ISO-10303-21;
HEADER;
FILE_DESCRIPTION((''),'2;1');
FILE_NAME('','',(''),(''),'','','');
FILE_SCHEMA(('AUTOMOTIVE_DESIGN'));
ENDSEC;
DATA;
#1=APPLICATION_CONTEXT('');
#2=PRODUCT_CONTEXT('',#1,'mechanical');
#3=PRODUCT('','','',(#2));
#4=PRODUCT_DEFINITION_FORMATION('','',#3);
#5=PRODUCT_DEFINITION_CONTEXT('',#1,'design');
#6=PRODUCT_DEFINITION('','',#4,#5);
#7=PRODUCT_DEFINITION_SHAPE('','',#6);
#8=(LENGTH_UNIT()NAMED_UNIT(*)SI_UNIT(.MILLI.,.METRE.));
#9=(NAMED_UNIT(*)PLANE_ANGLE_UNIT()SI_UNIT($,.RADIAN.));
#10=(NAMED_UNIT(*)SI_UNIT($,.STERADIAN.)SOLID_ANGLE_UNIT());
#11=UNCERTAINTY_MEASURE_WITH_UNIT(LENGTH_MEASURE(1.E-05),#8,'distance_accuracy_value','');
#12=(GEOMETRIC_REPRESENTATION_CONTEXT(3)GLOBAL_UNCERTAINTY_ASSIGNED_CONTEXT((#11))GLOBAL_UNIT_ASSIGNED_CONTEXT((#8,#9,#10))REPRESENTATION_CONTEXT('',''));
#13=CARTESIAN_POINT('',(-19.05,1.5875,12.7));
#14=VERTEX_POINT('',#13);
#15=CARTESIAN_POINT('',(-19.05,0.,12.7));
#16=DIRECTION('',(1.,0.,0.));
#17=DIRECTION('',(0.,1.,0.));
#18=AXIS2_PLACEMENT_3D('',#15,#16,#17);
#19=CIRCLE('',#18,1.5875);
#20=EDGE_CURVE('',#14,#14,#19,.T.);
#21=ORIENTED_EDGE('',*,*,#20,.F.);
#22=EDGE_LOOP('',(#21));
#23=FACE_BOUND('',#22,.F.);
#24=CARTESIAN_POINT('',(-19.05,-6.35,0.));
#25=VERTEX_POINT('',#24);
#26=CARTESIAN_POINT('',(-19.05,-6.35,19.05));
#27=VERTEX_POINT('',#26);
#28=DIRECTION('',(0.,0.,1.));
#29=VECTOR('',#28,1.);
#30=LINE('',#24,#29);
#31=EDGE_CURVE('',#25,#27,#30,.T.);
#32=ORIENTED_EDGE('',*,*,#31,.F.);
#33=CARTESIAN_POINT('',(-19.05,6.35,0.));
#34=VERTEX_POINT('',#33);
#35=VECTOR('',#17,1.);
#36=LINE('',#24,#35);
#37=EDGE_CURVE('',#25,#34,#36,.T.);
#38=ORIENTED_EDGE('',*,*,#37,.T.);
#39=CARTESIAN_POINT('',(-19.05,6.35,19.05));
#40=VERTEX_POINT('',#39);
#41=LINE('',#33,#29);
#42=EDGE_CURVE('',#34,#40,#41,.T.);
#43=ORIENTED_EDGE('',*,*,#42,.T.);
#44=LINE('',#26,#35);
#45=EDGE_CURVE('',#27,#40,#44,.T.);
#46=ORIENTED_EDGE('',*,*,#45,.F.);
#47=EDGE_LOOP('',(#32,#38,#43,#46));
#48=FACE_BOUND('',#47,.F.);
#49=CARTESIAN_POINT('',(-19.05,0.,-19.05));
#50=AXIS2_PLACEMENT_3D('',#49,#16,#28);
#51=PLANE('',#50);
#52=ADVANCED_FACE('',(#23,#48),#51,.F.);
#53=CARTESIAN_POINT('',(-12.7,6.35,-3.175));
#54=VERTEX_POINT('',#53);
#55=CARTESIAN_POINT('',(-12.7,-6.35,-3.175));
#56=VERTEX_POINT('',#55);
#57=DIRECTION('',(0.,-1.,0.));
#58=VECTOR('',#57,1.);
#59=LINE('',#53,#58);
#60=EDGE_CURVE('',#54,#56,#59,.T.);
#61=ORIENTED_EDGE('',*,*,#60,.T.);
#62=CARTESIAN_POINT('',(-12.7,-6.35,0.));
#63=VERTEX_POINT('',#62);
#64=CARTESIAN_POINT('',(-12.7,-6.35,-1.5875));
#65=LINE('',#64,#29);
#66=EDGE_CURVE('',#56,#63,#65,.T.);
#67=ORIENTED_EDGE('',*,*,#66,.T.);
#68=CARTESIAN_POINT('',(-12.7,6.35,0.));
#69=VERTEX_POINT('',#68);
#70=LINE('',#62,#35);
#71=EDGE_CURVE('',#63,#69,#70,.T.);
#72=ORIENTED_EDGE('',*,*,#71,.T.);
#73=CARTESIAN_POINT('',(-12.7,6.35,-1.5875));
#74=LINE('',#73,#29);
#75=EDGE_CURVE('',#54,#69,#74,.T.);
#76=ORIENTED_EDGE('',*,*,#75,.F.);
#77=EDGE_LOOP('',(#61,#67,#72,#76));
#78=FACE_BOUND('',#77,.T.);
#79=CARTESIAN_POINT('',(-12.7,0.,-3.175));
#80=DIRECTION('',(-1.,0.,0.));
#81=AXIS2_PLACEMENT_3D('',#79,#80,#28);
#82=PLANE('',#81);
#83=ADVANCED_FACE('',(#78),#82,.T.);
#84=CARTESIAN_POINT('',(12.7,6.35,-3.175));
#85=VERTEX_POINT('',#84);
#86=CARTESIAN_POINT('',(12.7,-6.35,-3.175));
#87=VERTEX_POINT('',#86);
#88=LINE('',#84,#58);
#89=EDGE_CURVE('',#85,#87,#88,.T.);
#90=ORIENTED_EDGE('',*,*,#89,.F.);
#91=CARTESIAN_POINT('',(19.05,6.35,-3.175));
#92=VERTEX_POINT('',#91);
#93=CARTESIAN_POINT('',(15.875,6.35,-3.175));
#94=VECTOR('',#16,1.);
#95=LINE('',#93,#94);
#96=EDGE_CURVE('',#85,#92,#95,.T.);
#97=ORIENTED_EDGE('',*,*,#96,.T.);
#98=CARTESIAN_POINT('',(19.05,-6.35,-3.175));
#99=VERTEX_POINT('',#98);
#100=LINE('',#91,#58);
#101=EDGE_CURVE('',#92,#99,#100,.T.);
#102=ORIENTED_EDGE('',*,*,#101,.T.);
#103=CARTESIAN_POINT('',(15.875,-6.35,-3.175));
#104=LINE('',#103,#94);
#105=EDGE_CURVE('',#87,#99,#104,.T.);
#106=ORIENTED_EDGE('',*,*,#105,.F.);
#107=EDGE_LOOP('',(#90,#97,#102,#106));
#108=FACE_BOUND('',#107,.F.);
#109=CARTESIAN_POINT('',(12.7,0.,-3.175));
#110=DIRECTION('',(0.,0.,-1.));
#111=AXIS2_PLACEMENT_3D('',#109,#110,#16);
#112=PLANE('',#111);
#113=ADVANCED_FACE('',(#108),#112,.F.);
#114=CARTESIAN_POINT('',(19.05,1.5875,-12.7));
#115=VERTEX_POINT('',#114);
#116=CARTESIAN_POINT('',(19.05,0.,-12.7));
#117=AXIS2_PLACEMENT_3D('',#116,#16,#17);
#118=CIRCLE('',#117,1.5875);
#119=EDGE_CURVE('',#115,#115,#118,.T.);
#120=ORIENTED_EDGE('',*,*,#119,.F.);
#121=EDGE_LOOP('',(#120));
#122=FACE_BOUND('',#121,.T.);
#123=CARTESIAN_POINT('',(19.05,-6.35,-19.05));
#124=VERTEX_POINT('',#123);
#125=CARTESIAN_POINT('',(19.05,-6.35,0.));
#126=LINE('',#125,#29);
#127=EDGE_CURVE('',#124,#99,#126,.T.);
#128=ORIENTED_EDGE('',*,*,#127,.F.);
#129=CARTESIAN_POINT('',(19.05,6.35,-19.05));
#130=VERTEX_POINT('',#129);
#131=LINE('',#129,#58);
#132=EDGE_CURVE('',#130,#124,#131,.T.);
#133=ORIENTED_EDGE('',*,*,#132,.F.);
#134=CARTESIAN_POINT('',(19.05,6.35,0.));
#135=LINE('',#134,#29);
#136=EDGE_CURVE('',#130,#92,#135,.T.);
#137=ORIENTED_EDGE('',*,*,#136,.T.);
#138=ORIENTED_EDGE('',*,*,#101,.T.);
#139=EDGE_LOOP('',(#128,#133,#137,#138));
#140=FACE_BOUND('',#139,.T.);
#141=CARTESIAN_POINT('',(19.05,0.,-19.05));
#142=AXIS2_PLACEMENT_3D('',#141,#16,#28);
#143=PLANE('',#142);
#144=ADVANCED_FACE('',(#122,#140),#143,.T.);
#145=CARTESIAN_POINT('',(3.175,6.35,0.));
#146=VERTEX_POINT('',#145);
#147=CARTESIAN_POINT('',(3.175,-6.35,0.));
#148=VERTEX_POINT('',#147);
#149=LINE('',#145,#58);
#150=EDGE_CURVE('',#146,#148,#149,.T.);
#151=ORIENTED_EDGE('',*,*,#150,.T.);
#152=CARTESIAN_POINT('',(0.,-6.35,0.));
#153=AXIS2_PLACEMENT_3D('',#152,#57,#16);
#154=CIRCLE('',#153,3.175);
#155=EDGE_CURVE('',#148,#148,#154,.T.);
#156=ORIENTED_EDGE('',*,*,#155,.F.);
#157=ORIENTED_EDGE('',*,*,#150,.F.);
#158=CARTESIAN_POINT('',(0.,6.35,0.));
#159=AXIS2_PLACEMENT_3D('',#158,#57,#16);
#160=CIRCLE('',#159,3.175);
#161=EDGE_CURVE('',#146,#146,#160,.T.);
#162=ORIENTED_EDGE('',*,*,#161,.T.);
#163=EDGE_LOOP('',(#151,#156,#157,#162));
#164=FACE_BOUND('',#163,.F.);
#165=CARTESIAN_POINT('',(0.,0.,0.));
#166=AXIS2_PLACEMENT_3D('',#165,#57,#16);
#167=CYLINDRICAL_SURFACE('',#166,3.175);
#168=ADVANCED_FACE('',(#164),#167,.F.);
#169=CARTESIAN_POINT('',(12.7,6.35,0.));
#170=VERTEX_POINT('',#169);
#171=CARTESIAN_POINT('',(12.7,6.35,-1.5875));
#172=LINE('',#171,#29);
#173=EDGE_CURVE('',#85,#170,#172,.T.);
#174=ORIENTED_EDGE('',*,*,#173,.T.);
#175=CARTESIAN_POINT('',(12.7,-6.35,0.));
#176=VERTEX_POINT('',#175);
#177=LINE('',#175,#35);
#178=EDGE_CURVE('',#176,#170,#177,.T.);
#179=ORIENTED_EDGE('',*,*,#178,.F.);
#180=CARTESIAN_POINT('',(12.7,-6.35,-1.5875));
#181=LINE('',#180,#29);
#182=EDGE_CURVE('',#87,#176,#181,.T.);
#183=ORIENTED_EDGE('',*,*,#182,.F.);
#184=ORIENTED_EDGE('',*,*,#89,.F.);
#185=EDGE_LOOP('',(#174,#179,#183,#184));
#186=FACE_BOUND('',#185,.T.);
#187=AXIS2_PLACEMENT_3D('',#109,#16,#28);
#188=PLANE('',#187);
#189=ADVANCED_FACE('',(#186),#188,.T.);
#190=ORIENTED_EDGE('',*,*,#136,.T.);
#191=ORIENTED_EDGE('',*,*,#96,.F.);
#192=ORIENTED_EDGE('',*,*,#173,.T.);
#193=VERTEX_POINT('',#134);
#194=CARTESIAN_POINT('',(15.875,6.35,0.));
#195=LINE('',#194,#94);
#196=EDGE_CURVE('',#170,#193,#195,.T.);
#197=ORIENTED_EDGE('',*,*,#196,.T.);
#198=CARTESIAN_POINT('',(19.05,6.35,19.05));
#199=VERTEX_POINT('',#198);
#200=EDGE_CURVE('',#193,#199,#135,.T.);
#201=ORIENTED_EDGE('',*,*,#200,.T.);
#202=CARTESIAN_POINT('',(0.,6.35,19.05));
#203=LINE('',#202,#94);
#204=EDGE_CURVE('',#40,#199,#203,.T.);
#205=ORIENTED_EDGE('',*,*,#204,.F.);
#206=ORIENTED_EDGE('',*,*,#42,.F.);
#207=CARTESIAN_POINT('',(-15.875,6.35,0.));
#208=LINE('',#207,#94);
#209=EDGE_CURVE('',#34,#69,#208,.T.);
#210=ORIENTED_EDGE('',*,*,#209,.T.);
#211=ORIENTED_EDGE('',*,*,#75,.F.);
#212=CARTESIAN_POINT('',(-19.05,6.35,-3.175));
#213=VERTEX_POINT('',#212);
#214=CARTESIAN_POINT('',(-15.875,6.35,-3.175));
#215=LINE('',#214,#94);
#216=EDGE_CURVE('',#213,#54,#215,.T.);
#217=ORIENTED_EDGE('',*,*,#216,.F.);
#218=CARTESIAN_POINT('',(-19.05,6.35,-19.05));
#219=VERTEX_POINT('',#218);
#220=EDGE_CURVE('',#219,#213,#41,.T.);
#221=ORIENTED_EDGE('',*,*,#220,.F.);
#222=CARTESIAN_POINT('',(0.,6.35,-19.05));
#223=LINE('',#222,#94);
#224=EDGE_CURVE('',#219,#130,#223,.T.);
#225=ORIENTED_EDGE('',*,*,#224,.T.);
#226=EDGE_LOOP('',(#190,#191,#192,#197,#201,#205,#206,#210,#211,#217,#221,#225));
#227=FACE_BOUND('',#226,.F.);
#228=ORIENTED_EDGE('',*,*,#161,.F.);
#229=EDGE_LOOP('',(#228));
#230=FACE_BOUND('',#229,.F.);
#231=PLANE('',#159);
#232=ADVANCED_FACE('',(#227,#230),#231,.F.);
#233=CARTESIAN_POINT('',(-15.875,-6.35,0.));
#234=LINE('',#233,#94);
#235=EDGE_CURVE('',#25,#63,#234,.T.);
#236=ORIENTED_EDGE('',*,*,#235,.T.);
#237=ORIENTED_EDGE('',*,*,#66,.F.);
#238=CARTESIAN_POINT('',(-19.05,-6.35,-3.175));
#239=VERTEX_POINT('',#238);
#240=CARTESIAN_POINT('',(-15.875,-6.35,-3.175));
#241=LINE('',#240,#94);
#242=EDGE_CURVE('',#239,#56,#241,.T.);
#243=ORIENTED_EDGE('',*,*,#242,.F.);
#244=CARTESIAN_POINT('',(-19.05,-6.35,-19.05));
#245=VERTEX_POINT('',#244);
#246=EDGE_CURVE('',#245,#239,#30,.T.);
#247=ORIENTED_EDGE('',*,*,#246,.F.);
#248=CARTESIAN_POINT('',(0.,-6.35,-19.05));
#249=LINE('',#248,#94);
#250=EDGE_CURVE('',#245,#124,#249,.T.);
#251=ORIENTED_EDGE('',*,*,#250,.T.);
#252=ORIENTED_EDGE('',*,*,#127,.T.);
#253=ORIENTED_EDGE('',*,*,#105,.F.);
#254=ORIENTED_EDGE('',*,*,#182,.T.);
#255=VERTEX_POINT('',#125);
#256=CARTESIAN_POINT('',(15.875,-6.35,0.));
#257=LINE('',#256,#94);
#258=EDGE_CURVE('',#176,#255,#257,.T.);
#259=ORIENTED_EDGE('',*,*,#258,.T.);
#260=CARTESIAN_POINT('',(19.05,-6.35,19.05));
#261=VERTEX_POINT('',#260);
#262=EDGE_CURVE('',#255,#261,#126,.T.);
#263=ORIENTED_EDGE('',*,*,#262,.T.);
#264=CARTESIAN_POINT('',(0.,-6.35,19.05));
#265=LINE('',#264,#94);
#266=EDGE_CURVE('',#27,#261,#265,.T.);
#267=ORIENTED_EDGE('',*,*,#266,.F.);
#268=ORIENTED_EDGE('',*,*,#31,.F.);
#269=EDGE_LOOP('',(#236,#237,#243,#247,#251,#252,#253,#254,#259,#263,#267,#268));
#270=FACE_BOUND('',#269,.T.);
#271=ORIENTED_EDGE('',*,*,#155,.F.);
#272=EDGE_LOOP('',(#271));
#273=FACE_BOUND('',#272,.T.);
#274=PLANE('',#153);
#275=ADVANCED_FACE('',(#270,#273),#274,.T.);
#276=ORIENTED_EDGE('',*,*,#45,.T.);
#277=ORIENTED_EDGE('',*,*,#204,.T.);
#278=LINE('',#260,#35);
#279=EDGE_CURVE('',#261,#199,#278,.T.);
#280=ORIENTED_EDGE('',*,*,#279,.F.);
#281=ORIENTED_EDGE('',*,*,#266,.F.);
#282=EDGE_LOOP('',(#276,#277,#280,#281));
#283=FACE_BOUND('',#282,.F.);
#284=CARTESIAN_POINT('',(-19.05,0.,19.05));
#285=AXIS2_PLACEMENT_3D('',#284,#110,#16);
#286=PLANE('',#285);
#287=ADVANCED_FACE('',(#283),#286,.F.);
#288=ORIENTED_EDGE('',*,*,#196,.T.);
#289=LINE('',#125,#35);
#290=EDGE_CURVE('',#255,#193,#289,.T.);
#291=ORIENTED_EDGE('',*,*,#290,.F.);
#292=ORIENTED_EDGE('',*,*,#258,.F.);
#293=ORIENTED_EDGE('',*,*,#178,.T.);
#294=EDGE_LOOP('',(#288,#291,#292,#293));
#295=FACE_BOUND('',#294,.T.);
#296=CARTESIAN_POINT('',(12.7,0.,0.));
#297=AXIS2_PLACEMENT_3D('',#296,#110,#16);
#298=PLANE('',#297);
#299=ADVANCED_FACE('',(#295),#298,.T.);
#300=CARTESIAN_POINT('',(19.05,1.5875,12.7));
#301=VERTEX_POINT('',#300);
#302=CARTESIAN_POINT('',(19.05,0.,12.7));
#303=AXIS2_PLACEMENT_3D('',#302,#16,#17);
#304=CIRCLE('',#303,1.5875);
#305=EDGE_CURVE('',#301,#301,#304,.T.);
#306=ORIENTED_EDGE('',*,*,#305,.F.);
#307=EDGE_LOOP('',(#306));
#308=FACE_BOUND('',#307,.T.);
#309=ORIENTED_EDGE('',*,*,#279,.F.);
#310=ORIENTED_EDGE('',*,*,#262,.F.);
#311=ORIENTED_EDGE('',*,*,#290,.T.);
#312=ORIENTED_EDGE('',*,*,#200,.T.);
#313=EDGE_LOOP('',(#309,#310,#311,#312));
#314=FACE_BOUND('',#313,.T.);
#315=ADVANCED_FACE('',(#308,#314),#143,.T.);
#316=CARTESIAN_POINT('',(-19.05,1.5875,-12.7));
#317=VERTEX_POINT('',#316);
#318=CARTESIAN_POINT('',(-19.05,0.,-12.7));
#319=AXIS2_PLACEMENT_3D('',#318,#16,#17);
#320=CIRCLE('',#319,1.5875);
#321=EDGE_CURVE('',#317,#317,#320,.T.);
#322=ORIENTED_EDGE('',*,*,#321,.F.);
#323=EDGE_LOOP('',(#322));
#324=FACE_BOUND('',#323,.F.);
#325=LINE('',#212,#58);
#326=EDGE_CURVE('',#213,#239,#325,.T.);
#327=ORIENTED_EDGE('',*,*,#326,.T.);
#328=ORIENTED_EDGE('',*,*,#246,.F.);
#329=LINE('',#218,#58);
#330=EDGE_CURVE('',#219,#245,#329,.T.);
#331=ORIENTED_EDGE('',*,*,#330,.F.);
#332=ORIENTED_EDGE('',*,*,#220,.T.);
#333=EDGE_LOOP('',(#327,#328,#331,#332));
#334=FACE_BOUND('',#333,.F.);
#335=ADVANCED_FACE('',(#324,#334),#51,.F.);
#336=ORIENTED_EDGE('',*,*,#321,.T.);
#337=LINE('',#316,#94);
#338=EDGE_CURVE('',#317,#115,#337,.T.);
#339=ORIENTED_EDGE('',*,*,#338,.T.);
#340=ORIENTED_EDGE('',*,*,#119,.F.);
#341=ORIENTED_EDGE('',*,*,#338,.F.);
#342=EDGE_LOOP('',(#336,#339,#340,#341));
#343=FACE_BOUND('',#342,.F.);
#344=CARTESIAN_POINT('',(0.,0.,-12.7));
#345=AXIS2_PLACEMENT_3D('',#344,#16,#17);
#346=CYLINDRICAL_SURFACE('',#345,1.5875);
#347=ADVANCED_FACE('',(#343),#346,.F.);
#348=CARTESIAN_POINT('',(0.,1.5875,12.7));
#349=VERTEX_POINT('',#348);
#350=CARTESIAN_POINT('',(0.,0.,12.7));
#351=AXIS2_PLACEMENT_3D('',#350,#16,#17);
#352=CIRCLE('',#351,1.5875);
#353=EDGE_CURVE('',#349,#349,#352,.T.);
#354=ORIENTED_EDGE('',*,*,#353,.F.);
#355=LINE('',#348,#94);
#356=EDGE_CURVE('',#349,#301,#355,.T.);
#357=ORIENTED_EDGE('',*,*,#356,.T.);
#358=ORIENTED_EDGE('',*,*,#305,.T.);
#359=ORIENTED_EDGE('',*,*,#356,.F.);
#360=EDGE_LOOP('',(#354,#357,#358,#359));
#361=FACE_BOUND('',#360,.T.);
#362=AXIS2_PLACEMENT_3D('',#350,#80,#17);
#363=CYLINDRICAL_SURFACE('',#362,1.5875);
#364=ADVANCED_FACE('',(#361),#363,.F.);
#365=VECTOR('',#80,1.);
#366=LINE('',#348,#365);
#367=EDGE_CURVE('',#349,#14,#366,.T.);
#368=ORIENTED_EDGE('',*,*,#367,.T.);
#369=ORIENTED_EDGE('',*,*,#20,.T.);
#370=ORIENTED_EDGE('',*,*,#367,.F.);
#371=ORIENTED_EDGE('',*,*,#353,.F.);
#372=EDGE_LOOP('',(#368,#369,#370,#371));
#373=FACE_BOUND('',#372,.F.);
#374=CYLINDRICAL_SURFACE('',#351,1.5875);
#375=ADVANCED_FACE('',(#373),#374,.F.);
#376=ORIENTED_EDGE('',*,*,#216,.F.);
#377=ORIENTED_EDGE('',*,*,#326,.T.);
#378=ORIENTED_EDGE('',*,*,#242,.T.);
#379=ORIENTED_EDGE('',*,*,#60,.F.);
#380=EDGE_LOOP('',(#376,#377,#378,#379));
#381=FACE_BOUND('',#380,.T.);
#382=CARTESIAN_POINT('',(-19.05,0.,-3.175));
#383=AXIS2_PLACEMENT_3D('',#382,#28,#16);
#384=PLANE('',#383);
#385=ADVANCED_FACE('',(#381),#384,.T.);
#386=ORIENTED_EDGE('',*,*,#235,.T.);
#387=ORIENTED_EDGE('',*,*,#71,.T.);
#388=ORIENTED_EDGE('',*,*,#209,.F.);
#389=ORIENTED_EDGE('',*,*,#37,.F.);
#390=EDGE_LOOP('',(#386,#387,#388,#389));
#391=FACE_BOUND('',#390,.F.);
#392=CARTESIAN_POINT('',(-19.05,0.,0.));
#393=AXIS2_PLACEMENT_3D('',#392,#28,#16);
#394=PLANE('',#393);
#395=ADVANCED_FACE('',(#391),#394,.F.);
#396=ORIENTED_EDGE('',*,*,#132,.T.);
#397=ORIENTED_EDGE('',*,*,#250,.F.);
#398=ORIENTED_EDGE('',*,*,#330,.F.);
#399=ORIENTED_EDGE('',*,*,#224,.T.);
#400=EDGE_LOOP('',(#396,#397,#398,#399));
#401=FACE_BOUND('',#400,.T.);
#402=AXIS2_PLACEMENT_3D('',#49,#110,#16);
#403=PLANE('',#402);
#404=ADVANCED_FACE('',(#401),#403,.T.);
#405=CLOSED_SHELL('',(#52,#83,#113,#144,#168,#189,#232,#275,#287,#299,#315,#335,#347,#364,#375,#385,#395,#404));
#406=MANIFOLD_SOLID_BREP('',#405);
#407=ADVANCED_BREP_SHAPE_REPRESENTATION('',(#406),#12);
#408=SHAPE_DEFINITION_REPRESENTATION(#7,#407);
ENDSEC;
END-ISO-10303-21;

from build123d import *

# Parameters (mm, degrees)
F0_W     = 38.1
F0_H     = 38.1
F6_DEPTH = 6.35
F1_R     = 3.175
F7_DEPTH = 6.35
F2_W     = 6.35
F2_H     = 3.175
F3_W     = 6.35
F3_H     = 3.175
F8_DEPTH = 6.35
F4_R     = 1.5875
F5_R     = 1.5875
F9_DEPTH = 19.05


with BuildPart() as f6:
    # F0 (on Front) → F6 (new body, symmetric)
    with BuildSketch(Plane.XZ):
        Rectangle(F0_W, F0_H)
    extrude(amount=F6_DEPTH, both=True)

    # F1 (on Front) → F7 (cut, symmetric)
    with BuildSketch(Plane.XZ):
        Circle(F1_R)
    extrude(amount=F7_DEPTH, both=True, mode=Mode.SUBTRACT)

    # F2 (on Front) + F3 (on Front) → F8 (cut, symmetric)
    with BuildSketch(Plane.XZ):
        with Locations((-15.875, -1.5875)):
            Rectangle(F2_W, F2_H)
    with BuildSketch(Plane.XZ):
        with Locations((15.875, -1.5875)):
            Rectangle(F3_W, F3_H)
    extrude(amount=F8_DEPTH, both=True, mode=Mode.SUBTRACT)

    # F4 (on Right) + F5 (on Right) → F9 (cut, symmetric)
    with BuildSketch(Plane.YZ):
        with Locations((0, 12.7)):
            Circle(F4_R)
    with BuildSketch(Plane.YZ):
        with Locations((0, -12.7)):
            Circle(F5_R)
    extrude(amount=F9_DEPTH, both=True, mode=Mode.SUBTRACT)


solid = f6.part
